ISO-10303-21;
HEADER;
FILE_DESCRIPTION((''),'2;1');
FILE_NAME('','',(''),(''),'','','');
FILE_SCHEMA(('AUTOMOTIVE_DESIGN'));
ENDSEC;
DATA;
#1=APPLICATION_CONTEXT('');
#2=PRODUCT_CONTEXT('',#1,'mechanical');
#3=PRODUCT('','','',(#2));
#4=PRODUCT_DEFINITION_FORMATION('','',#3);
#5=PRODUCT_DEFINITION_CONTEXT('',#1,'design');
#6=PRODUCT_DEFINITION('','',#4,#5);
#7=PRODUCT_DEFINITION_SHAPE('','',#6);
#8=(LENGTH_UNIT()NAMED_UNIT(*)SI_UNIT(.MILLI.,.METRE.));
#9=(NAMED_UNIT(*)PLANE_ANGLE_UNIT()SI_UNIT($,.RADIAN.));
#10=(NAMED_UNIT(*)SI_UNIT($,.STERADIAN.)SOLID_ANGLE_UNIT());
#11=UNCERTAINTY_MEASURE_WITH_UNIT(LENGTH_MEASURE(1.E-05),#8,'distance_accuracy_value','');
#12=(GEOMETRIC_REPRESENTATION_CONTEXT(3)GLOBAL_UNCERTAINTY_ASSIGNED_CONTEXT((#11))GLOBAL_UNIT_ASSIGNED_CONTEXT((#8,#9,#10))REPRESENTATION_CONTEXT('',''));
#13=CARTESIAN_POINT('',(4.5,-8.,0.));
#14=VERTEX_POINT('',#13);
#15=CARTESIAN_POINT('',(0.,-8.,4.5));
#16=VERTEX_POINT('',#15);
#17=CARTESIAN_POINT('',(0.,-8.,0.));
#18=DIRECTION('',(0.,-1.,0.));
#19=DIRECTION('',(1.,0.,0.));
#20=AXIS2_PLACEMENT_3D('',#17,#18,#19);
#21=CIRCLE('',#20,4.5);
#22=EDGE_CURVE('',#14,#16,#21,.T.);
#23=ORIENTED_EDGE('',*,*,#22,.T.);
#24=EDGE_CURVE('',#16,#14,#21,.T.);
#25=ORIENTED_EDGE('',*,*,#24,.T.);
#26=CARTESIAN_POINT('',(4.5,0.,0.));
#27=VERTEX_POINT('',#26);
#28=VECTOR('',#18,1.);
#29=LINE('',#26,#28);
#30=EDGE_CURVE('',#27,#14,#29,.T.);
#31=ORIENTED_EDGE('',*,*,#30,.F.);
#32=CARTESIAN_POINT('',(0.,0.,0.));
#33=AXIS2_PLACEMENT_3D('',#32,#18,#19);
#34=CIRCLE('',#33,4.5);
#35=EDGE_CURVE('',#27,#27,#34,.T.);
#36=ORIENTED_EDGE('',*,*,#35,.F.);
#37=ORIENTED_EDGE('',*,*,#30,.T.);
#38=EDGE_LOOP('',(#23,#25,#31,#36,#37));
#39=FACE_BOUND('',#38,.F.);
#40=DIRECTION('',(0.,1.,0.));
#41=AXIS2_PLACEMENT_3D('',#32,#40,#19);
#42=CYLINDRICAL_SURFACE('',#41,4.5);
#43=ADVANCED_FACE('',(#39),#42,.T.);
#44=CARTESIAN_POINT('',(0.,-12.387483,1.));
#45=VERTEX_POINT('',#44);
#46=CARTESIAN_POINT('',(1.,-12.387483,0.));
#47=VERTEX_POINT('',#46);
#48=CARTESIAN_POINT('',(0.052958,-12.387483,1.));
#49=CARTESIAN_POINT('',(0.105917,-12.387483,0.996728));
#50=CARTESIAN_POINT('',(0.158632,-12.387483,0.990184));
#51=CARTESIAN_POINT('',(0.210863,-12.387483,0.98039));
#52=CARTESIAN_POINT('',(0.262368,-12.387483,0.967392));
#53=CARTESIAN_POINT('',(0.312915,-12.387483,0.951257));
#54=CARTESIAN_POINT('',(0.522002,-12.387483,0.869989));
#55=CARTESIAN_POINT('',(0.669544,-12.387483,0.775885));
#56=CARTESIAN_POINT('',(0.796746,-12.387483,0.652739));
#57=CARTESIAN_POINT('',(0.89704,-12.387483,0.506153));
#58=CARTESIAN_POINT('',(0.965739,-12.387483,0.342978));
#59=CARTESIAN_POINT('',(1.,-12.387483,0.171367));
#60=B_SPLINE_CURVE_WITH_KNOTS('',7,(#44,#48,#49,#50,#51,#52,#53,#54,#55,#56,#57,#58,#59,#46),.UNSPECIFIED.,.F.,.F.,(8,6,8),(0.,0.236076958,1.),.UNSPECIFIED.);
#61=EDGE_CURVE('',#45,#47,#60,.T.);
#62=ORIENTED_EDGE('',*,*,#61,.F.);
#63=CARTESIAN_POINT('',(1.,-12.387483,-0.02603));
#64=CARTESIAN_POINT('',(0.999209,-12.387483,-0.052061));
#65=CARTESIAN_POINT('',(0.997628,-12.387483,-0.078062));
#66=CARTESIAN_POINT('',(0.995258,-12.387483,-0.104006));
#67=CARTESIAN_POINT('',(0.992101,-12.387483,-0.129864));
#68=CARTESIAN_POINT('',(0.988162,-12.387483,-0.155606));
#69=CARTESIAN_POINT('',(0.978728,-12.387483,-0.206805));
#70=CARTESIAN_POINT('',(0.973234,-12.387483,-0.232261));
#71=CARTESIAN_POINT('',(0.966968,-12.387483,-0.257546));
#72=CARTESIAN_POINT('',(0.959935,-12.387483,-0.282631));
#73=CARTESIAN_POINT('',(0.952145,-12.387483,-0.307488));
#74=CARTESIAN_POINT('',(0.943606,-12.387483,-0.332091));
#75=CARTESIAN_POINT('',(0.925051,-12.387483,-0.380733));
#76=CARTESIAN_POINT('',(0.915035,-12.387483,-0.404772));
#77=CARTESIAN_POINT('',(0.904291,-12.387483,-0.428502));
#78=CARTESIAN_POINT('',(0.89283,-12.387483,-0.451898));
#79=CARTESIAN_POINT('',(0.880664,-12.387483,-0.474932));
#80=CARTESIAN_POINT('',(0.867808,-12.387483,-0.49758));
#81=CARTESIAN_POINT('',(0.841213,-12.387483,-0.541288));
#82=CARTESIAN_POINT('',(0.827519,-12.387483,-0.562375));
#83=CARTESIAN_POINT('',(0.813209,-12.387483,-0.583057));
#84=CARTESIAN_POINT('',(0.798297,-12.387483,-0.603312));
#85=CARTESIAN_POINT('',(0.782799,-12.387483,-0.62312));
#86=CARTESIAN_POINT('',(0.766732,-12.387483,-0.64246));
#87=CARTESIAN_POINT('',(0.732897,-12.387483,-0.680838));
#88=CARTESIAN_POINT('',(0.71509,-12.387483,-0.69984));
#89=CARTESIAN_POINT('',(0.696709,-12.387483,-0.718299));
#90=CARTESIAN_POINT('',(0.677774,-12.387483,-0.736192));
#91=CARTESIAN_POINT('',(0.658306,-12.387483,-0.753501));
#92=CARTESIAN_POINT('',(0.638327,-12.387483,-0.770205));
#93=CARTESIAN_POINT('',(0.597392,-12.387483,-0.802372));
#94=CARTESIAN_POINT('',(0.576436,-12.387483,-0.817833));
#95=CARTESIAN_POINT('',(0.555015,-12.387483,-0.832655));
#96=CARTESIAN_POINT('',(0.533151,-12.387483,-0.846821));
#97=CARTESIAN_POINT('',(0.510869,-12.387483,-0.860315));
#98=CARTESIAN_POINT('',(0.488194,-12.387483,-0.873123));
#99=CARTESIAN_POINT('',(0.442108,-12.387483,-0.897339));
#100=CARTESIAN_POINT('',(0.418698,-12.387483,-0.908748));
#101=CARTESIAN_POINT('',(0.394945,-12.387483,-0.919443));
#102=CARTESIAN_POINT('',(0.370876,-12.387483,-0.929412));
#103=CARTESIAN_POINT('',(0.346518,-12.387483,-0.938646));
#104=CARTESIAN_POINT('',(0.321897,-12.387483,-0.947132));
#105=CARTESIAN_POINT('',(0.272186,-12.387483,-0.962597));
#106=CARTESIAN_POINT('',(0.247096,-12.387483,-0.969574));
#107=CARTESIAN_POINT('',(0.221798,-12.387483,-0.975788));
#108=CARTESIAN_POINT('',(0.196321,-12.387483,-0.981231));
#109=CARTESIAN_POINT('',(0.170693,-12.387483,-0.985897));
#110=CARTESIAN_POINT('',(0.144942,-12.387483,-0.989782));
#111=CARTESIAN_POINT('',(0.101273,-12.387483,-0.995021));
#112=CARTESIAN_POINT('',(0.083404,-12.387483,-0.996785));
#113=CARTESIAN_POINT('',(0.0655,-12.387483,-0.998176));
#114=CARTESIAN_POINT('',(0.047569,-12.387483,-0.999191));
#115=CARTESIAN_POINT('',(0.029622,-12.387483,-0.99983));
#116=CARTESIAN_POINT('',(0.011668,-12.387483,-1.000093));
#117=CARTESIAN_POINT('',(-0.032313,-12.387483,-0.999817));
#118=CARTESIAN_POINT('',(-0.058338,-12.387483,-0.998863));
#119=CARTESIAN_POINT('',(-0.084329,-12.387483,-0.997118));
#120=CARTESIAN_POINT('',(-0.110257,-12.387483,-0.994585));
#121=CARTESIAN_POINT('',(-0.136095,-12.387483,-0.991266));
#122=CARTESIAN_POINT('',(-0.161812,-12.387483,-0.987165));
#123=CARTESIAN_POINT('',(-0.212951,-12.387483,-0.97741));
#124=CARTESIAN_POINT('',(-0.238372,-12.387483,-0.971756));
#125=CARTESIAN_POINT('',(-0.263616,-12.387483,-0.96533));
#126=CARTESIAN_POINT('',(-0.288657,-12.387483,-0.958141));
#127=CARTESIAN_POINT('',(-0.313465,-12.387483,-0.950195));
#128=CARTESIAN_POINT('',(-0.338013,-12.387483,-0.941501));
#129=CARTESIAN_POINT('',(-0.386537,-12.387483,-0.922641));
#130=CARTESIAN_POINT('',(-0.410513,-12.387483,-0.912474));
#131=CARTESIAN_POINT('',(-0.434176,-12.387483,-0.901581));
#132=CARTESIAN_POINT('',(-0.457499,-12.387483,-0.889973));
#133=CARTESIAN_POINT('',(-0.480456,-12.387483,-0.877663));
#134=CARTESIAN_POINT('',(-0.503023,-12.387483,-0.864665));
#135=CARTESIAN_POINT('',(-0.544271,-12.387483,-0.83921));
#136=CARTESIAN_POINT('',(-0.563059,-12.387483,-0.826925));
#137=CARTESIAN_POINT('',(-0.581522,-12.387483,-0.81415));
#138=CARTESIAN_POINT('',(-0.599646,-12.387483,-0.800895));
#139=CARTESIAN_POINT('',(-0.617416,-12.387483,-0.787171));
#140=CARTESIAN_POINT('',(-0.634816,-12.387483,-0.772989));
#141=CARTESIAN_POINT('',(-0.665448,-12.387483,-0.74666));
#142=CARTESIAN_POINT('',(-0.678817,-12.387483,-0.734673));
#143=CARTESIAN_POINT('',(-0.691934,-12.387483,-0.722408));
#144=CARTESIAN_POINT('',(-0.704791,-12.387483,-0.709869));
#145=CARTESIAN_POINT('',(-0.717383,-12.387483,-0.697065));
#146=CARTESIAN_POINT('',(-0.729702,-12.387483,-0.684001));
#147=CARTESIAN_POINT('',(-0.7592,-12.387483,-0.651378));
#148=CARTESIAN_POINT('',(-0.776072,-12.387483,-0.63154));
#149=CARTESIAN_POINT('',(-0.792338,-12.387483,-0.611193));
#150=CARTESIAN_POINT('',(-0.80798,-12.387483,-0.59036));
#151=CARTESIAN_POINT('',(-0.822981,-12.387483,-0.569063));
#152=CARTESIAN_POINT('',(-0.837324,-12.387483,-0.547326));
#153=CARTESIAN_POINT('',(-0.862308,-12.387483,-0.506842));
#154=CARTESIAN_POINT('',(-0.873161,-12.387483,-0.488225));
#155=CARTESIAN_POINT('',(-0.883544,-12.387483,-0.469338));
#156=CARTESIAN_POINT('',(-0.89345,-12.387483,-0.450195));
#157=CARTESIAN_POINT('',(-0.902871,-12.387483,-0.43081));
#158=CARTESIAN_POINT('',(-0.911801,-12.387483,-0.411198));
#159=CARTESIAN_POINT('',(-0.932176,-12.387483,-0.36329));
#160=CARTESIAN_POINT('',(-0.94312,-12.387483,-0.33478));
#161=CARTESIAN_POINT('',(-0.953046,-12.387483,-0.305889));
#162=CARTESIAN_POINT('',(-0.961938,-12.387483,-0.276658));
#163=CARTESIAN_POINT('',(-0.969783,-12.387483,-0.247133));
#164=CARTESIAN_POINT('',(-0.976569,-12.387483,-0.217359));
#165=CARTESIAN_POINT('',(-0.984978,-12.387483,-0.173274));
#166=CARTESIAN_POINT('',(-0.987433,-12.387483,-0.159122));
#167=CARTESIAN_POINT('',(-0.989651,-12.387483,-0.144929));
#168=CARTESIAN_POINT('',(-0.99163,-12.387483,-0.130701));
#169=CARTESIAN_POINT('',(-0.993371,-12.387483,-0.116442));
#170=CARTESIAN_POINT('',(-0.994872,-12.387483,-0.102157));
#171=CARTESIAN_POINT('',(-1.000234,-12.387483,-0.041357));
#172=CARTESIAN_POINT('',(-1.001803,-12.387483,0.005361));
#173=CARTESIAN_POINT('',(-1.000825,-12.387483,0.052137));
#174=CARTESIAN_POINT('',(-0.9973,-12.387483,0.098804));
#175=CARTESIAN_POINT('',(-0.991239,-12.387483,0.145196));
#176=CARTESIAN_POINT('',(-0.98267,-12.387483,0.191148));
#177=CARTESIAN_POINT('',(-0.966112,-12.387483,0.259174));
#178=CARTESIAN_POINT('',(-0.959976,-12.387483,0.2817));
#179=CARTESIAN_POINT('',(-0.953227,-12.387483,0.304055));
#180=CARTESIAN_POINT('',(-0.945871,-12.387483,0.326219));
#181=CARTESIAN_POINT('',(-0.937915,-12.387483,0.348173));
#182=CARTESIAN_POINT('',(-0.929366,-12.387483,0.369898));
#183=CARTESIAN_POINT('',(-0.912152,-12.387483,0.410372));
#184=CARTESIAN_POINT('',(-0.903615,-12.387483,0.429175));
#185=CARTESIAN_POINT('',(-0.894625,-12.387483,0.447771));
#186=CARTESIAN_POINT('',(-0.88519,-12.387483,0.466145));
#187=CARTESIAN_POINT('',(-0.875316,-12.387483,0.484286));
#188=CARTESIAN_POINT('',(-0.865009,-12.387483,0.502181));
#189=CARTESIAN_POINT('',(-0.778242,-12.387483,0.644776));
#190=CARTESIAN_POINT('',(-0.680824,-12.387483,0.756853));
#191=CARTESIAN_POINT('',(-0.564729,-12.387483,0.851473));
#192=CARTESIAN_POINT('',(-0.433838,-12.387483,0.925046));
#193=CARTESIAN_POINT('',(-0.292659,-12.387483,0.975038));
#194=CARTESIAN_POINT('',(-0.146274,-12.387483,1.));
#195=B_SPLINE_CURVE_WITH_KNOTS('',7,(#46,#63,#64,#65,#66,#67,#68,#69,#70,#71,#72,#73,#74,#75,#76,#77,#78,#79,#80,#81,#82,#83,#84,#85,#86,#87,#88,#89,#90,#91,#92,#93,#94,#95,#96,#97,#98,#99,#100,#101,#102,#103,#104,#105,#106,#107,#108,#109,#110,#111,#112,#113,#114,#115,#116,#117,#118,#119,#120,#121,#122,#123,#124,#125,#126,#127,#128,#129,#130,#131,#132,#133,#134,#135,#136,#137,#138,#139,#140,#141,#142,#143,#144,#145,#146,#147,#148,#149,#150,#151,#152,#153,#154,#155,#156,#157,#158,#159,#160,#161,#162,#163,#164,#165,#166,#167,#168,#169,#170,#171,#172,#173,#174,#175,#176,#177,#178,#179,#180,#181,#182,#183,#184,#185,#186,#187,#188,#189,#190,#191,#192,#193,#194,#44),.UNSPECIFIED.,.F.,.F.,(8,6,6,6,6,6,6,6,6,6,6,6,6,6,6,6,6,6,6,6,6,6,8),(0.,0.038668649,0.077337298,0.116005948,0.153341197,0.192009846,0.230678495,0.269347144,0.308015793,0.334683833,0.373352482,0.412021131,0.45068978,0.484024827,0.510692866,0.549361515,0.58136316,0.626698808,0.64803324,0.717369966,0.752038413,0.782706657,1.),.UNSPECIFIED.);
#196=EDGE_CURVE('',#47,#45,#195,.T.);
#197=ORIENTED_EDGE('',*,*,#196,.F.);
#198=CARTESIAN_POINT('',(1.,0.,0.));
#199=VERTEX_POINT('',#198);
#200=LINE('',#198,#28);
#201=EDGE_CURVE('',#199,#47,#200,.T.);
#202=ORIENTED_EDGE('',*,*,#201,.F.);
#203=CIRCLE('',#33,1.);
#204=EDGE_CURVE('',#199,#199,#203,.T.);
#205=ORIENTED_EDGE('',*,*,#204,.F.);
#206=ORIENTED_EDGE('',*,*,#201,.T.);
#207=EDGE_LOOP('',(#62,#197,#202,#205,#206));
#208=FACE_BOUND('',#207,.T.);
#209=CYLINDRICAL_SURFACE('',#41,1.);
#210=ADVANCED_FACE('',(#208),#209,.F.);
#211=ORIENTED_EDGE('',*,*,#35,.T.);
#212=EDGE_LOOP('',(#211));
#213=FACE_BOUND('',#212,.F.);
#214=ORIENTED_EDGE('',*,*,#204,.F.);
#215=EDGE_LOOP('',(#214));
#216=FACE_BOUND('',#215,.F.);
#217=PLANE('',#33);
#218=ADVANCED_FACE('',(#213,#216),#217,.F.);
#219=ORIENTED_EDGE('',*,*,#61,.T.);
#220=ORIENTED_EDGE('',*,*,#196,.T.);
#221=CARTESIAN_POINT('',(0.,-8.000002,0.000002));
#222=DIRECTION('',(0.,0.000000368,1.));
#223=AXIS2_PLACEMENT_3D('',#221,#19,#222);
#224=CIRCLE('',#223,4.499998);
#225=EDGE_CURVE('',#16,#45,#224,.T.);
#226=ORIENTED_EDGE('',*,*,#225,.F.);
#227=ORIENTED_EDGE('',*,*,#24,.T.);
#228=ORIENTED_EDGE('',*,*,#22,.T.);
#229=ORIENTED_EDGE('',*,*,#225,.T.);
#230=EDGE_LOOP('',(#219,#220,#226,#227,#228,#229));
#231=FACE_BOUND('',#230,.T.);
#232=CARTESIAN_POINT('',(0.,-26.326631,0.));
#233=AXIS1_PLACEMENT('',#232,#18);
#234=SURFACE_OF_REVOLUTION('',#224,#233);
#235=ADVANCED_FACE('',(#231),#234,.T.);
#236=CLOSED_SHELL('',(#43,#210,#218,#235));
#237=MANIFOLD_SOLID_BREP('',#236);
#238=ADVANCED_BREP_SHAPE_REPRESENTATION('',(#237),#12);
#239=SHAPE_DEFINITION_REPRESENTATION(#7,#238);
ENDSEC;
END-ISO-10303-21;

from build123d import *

# Parameters (mm, degrees)
F0_R     = 4.5
F1_DEPTH = 8
F4_R     = 1
F5_DEPTH = 12.501


with BuildPart() as f1:
    # F0 (on Front) → F1 (new body)
    with BuildSketch(Plane.XZ):
        Circle(F0_R)
    extrude(amount=F1_DEPTH)

    # F2 (on Right) → F3 (revolve)
    with BuildSketch(Plane.YZ):
        with BuildLine():
            Line((-8, 0), (-8, 4.5))
            ThreePointArc((-8, 4.5), (-11.181981, 3.181981), (-12.5, 0))
            Line((-12.5, 0), (-8, 0))
        make_face()
    revolve(axis=Axis((0, -26.326631, 0), (0, -1, 0)))

    # F4 (on Front) → F5 (cut, through all)
    with BuildSketch(Plane.XZ):
        Circle(F4_R)
    extrude(amount=F5_DEPTH, mode=Mode.SUBTRACT)


solid = f1.part
